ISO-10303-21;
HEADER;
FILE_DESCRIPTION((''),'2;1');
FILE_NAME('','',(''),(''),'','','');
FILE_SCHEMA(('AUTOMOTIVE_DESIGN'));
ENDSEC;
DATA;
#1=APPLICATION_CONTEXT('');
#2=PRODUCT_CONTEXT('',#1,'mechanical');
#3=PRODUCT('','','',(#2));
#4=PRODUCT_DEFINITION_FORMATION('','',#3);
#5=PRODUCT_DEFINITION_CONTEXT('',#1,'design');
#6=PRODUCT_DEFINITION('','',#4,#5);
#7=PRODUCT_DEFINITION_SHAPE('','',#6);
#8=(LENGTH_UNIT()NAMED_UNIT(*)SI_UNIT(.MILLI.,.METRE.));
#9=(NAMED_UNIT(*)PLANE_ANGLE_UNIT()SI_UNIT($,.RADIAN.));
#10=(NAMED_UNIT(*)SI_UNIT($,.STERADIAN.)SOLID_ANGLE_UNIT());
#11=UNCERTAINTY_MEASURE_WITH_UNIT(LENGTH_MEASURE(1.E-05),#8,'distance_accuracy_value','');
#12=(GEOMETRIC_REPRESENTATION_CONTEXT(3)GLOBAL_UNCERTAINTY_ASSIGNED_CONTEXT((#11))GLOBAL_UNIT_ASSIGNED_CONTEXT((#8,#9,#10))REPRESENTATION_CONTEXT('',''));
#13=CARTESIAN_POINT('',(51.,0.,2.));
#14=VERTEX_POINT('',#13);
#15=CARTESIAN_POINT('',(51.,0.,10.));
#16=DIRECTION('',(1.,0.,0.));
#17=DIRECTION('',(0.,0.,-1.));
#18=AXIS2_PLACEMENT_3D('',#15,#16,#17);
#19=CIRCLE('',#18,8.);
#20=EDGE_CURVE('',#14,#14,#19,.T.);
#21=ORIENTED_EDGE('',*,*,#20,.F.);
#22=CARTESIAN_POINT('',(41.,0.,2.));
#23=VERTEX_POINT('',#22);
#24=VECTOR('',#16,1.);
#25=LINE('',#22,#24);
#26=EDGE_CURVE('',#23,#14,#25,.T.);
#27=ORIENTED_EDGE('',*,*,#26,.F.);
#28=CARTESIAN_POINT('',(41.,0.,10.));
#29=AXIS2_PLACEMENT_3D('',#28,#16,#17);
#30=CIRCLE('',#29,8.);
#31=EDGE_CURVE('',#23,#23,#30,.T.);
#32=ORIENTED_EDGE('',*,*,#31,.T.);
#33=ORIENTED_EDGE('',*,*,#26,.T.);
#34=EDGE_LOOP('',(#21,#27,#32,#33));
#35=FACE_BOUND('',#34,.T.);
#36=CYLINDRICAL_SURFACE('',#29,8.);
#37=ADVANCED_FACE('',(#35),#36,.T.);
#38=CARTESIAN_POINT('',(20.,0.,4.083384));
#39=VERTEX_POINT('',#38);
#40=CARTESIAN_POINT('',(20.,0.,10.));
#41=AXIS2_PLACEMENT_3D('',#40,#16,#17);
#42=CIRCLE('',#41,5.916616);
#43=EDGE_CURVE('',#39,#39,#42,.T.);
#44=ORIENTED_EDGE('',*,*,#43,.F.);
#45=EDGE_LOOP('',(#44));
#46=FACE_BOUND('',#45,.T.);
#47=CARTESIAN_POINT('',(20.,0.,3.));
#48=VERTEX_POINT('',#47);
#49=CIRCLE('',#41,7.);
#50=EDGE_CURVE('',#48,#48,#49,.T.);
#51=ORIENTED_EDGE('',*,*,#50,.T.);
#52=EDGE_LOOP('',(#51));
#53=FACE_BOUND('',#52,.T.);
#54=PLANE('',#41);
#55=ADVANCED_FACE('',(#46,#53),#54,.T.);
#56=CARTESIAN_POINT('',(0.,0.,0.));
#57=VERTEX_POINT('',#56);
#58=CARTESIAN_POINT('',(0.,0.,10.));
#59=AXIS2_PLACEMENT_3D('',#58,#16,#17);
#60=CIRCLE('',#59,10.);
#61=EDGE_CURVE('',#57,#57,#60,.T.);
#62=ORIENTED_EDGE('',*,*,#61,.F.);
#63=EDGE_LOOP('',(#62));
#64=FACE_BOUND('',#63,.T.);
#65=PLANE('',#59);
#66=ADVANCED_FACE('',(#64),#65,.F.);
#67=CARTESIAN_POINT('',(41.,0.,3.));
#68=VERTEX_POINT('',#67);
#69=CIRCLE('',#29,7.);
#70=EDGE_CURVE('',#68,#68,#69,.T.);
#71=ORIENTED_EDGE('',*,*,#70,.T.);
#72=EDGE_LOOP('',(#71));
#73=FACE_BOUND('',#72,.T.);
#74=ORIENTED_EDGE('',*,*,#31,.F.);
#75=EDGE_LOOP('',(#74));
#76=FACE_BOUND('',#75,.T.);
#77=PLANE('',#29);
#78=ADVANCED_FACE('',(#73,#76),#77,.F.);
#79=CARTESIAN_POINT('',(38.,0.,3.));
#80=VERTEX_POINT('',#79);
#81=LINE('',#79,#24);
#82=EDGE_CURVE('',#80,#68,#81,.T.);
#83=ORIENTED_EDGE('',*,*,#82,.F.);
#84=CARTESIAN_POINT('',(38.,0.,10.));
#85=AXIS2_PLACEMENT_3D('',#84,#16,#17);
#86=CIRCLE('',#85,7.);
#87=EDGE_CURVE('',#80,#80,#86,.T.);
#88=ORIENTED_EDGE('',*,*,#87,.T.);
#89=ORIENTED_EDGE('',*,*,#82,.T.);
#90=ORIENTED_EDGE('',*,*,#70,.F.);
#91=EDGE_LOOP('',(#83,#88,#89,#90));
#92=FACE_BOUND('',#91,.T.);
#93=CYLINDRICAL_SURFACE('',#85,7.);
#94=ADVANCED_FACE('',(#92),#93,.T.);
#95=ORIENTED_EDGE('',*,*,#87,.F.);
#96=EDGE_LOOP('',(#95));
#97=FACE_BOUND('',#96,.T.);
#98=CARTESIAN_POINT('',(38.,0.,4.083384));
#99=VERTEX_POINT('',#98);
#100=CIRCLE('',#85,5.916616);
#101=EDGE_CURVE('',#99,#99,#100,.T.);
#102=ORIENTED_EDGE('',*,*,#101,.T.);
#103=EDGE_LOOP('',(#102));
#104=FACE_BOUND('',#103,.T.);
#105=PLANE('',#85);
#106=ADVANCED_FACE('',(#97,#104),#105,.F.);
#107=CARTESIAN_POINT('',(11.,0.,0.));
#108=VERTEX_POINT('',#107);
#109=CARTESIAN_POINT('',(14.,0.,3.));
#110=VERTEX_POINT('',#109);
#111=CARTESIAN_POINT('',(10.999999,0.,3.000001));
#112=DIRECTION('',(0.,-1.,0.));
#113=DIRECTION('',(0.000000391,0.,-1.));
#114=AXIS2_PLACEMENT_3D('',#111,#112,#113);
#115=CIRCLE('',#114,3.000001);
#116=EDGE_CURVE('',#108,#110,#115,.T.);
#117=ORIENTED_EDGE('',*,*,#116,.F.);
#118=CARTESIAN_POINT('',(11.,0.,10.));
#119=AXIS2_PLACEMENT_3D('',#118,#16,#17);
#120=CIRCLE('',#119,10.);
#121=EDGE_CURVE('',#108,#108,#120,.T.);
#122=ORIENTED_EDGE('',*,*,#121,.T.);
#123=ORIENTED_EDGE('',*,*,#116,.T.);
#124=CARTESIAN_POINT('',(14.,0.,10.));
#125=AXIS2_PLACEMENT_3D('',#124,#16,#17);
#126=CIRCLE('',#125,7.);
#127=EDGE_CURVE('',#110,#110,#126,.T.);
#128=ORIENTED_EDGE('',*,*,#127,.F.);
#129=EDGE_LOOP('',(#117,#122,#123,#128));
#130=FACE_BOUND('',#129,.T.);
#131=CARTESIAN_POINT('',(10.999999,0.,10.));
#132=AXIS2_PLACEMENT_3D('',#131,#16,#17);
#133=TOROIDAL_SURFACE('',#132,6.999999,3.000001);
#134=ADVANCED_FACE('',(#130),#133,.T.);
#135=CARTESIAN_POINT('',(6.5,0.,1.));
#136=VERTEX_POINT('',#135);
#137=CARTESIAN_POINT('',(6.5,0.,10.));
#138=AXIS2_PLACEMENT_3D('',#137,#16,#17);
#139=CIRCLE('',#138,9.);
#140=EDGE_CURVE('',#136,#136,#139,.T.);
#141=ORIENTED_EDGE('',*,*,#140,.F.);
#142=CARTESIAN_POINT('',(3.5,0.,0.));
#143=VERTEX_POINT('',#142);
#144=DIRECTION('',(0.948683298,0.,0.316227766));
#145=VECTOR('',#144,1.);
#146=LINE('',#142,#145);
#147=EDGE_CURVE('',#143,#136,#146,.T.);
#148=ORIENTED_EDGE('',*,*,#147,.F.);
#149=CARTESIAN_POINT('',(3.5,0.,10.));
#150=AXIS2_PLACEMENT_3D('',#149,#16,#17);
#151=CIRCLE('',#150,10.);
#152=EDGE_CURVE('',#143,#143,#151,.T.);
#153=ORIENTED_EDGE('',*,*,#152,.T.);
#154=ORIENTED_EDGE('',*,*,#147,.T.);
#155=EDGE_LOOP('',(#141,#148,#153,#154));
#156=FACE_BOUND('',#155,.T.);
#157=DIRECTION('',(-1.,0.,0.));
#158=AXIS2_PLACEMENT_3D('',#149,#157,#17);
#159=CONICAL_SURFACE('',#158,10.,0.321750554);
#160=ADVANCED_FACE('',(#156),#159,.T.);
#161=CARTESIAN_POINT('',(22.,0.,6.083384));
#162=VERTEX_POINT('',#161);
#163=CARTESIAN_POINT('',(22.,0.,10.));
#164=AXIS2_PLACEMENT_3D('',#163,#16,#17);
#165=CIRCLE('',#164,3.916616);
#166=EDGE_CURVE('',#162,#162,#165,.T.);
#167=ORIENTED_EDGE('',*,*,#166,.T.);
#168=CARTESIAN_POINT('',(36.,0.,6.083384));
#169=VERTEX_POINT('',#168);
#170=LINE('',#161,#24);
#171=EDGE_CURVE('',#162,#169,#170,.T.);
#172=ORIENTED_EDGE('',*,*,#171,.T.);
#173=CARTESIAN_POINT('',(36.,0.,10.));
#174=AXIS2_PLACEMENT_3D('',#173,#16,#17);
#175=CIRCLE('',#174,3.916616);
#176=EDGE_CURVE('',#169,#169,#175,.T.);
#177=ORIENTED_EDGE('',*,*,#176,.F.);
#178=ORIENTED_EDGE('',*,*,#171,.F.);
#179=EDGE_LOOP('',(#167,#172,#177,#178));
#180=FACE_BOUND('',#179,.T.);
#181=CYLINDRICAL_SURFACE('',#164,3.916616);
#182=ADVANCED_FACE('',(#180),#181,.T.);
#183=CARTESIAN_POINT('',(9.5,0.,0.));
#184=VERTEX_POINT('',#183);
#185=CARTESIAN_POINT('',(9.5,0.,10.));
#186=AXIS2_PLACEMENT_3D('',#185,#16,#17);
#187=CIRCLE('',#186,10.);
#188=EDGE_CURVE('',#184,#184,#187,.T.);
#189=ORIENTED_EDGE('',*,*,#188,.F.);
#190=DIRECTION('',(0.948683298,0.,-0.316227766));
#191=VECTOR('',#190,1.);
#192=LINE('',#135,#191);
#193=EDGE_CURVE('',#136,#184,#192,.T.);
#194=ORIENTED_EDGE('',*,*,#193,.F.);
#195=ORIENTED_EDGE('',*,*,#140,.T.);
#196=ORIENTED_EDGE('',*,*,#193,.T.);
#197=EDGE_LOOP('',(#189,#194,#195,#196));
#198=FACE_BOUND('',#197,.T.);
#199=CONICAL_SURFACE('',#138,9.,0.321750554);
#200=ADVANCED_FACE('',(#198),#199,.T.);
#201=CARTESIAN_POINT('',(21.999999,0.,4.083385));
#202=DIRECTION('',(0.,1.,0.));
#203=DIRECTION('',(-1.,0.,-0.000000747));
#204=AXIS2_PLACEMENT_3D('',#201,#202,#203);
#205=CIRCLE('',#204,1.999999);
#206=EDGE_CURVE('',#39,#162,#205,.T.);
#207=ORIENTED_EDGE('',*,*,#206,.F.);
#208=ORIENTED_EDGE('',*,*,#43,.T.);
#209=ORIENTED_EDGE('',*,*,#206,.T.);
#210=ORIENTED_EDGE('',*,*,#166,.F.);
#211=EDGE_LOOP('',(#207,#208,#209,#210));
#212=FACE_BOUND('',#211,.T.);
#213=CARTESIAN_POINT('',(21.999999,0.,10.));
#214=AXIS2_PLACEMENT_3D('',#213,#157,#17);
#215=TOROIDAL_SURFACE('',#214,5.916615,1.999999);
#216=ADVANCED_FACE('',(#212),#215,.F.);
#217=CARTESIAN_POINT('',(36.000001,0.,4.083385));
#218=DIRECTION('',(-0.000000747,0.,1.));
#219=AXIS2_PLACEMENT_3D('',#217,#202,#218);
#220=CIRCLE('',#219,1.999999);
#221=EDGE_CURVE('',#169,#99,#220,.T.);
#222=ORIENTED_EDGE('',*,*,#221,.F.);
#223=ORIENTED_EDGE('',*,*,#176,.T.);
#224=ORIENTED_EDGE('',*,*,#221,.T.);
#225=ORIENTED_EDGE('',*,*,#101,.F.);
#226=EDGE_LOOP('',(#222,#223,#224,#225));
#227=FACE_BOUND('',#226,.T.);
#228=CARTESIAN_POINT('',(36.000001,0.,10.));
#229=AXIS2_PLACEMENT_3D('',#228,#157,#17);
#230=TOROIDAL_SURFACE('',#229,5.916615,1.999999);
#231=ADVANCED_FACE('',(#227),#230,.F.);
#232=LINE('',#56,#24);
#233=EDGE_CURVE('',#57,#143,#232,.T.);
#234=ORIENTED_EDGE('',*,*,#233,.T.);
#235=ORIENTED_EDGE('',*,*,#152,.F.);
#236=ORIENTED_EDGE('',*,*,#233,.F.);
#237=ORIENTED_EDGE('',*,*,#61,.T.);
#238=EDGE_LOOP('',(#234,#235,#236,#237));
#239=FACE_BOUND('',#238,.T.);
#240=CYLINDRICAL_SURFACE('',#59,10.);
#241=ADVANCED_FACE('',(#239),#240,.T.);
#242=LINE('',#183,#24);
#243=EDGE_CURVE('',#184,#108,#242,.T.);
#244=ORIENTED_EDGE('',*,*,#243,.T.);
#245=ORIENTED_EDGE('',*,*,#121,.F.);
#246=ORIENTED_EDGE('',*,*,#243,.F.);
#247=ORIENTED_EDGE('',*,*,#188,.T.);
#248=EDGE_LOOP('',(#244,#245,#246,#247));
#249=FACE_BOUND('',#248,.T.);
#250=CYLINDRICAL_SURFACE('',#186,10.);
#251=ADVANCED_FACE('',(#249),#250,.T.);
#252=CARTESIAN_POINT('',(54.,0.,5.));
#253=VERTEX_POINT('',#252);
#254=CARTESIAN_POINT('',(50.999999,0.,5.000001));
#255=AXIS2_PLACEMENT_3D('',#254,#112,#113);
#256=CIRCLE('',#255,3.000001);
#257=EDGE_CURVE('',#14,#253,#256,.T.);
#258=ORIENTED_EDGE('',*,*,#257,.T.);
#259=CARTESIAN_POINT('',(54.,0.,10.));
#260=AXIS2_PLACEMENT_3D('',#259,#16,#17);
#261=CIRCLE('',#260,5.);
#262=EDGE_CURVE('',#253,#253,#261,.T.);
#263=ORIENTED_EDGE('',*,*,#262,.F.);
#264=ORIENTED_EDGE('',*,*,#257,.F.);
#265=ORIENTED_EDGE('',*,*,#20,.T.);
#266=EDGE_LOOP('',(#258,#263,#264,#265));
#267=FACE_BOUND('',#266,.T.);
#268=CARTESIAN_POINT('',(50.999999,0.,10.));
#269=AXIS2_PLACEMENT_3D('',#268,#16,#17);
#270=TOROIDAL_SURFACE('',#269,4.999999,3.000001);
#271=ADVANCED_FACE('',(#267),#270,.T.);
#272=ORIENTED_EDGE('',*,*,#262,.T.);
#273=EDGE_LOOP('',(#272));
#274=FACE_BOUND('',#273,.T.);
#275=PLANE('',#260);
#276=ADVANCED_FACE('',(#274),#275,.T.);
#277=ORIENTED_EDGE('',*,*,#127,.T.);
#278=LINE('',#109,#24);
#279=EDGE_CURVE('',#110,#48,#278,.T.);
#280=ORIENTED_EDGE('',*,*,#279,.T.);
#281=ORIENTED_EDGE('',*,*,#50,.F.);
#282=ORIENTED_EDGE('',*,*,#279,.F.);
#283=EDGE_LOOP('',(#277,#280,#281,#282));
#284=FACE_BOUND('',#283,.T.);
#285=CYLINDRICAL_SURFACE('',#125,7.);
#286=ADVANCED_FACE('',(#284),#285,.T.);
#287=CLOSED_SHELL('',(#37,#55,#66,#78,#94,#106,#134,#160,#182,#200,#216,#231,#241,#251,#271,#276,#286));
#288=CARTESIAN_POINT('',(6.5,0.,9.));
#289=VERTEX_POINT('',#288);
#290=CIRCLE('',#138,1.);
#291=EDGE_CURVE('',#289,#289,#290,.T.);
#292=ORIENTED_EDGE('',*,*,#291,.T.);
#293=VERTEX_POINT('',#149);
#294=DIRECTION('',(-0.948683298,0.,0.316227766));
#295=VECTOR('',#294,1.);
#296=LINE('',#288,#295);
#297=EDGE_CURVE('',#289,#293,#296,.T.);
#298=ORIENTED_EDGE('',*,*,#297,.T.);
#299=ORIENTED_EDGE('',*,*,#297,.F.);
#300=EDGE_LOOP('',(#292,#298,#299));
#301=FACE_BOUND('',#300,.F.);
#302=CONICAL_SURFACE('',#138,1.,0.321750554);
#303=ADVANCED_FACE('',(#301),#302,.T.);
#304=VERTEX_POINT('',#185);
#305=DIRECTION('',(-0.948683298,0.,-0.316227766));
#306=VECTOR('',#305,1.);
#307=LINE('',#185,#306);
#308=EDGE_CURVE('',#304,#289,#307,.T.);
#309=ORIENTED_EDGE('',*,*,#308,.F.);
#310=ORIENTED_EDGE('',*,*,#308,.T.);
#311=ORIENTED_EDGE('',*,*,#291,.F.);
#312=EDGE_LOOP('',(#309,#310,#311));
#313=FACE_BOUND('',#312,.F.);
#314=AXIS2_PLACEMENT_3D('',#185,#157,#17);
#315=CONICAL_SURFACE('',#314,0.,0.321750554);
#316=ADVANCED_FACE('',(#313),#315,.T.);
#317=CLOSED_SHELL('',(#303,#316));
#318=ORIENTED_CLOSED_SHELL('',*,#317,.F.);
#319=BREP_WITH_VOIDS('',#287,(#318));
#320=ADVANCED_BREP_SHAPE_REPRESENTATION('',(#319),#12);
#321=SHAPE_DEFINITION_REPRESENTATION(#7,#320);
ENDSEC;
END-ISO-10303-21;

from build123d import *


with BuildPart() as f1:
    # F0 (on Front) → F1 (revolve)
    with BuildSketch(Plane.XZ):
        with BuildLine():
            Line((0, 10), (0, 0))
            Line((0, 0), (3.5, 0))
            Line((3.5, 0), (6.5, 1))
            Line((6.5, 1), (9.5, 0))
            Line((9.5, 0), (11, 0))
            ThreePointArc((11, 0), (13.12132, 0.87868), (14, 3))
            Line((14, 3), (20, 3))
            Line((20, 3), (20, 4.083384))
            ThreePointArc((20, 4.083384), (20.585786, 5.497598), (22, 6.083384))
            Line((22, 6.083384), (36, 6.083384))
            ThreePointArc((36, 6.083384), (37.414214, 5.497598), (38, 4.083384))
            Line((38, 4.083384), (38, 3))
            Line((38, 3), (41, 3))
            Line((41, 3), (41, 2))
            Line((41, 2), (51, 2))
            ThreePointArc((51, 2), (53.12132, 2.87868), (54, 5))
            Line((54, 5), (54, 10))
            Line((54, 10), (41, 10))
            Line((41, 10), (38, 10))
            Line((38, 10), (20, 10))
            Line((20, 10), (14, 10))
            Line((14, 10), (9.5, 10))
            Line((9.5, 10), (6.5, 9))
            Line((6.5, 9), (3.5, 10))
            Line((3.5, 10), (0, 10))
        make_face()
    revolve(axis=Axis((26.417072, 0, 10), (1, 0, 0)))


solid = f1.part
